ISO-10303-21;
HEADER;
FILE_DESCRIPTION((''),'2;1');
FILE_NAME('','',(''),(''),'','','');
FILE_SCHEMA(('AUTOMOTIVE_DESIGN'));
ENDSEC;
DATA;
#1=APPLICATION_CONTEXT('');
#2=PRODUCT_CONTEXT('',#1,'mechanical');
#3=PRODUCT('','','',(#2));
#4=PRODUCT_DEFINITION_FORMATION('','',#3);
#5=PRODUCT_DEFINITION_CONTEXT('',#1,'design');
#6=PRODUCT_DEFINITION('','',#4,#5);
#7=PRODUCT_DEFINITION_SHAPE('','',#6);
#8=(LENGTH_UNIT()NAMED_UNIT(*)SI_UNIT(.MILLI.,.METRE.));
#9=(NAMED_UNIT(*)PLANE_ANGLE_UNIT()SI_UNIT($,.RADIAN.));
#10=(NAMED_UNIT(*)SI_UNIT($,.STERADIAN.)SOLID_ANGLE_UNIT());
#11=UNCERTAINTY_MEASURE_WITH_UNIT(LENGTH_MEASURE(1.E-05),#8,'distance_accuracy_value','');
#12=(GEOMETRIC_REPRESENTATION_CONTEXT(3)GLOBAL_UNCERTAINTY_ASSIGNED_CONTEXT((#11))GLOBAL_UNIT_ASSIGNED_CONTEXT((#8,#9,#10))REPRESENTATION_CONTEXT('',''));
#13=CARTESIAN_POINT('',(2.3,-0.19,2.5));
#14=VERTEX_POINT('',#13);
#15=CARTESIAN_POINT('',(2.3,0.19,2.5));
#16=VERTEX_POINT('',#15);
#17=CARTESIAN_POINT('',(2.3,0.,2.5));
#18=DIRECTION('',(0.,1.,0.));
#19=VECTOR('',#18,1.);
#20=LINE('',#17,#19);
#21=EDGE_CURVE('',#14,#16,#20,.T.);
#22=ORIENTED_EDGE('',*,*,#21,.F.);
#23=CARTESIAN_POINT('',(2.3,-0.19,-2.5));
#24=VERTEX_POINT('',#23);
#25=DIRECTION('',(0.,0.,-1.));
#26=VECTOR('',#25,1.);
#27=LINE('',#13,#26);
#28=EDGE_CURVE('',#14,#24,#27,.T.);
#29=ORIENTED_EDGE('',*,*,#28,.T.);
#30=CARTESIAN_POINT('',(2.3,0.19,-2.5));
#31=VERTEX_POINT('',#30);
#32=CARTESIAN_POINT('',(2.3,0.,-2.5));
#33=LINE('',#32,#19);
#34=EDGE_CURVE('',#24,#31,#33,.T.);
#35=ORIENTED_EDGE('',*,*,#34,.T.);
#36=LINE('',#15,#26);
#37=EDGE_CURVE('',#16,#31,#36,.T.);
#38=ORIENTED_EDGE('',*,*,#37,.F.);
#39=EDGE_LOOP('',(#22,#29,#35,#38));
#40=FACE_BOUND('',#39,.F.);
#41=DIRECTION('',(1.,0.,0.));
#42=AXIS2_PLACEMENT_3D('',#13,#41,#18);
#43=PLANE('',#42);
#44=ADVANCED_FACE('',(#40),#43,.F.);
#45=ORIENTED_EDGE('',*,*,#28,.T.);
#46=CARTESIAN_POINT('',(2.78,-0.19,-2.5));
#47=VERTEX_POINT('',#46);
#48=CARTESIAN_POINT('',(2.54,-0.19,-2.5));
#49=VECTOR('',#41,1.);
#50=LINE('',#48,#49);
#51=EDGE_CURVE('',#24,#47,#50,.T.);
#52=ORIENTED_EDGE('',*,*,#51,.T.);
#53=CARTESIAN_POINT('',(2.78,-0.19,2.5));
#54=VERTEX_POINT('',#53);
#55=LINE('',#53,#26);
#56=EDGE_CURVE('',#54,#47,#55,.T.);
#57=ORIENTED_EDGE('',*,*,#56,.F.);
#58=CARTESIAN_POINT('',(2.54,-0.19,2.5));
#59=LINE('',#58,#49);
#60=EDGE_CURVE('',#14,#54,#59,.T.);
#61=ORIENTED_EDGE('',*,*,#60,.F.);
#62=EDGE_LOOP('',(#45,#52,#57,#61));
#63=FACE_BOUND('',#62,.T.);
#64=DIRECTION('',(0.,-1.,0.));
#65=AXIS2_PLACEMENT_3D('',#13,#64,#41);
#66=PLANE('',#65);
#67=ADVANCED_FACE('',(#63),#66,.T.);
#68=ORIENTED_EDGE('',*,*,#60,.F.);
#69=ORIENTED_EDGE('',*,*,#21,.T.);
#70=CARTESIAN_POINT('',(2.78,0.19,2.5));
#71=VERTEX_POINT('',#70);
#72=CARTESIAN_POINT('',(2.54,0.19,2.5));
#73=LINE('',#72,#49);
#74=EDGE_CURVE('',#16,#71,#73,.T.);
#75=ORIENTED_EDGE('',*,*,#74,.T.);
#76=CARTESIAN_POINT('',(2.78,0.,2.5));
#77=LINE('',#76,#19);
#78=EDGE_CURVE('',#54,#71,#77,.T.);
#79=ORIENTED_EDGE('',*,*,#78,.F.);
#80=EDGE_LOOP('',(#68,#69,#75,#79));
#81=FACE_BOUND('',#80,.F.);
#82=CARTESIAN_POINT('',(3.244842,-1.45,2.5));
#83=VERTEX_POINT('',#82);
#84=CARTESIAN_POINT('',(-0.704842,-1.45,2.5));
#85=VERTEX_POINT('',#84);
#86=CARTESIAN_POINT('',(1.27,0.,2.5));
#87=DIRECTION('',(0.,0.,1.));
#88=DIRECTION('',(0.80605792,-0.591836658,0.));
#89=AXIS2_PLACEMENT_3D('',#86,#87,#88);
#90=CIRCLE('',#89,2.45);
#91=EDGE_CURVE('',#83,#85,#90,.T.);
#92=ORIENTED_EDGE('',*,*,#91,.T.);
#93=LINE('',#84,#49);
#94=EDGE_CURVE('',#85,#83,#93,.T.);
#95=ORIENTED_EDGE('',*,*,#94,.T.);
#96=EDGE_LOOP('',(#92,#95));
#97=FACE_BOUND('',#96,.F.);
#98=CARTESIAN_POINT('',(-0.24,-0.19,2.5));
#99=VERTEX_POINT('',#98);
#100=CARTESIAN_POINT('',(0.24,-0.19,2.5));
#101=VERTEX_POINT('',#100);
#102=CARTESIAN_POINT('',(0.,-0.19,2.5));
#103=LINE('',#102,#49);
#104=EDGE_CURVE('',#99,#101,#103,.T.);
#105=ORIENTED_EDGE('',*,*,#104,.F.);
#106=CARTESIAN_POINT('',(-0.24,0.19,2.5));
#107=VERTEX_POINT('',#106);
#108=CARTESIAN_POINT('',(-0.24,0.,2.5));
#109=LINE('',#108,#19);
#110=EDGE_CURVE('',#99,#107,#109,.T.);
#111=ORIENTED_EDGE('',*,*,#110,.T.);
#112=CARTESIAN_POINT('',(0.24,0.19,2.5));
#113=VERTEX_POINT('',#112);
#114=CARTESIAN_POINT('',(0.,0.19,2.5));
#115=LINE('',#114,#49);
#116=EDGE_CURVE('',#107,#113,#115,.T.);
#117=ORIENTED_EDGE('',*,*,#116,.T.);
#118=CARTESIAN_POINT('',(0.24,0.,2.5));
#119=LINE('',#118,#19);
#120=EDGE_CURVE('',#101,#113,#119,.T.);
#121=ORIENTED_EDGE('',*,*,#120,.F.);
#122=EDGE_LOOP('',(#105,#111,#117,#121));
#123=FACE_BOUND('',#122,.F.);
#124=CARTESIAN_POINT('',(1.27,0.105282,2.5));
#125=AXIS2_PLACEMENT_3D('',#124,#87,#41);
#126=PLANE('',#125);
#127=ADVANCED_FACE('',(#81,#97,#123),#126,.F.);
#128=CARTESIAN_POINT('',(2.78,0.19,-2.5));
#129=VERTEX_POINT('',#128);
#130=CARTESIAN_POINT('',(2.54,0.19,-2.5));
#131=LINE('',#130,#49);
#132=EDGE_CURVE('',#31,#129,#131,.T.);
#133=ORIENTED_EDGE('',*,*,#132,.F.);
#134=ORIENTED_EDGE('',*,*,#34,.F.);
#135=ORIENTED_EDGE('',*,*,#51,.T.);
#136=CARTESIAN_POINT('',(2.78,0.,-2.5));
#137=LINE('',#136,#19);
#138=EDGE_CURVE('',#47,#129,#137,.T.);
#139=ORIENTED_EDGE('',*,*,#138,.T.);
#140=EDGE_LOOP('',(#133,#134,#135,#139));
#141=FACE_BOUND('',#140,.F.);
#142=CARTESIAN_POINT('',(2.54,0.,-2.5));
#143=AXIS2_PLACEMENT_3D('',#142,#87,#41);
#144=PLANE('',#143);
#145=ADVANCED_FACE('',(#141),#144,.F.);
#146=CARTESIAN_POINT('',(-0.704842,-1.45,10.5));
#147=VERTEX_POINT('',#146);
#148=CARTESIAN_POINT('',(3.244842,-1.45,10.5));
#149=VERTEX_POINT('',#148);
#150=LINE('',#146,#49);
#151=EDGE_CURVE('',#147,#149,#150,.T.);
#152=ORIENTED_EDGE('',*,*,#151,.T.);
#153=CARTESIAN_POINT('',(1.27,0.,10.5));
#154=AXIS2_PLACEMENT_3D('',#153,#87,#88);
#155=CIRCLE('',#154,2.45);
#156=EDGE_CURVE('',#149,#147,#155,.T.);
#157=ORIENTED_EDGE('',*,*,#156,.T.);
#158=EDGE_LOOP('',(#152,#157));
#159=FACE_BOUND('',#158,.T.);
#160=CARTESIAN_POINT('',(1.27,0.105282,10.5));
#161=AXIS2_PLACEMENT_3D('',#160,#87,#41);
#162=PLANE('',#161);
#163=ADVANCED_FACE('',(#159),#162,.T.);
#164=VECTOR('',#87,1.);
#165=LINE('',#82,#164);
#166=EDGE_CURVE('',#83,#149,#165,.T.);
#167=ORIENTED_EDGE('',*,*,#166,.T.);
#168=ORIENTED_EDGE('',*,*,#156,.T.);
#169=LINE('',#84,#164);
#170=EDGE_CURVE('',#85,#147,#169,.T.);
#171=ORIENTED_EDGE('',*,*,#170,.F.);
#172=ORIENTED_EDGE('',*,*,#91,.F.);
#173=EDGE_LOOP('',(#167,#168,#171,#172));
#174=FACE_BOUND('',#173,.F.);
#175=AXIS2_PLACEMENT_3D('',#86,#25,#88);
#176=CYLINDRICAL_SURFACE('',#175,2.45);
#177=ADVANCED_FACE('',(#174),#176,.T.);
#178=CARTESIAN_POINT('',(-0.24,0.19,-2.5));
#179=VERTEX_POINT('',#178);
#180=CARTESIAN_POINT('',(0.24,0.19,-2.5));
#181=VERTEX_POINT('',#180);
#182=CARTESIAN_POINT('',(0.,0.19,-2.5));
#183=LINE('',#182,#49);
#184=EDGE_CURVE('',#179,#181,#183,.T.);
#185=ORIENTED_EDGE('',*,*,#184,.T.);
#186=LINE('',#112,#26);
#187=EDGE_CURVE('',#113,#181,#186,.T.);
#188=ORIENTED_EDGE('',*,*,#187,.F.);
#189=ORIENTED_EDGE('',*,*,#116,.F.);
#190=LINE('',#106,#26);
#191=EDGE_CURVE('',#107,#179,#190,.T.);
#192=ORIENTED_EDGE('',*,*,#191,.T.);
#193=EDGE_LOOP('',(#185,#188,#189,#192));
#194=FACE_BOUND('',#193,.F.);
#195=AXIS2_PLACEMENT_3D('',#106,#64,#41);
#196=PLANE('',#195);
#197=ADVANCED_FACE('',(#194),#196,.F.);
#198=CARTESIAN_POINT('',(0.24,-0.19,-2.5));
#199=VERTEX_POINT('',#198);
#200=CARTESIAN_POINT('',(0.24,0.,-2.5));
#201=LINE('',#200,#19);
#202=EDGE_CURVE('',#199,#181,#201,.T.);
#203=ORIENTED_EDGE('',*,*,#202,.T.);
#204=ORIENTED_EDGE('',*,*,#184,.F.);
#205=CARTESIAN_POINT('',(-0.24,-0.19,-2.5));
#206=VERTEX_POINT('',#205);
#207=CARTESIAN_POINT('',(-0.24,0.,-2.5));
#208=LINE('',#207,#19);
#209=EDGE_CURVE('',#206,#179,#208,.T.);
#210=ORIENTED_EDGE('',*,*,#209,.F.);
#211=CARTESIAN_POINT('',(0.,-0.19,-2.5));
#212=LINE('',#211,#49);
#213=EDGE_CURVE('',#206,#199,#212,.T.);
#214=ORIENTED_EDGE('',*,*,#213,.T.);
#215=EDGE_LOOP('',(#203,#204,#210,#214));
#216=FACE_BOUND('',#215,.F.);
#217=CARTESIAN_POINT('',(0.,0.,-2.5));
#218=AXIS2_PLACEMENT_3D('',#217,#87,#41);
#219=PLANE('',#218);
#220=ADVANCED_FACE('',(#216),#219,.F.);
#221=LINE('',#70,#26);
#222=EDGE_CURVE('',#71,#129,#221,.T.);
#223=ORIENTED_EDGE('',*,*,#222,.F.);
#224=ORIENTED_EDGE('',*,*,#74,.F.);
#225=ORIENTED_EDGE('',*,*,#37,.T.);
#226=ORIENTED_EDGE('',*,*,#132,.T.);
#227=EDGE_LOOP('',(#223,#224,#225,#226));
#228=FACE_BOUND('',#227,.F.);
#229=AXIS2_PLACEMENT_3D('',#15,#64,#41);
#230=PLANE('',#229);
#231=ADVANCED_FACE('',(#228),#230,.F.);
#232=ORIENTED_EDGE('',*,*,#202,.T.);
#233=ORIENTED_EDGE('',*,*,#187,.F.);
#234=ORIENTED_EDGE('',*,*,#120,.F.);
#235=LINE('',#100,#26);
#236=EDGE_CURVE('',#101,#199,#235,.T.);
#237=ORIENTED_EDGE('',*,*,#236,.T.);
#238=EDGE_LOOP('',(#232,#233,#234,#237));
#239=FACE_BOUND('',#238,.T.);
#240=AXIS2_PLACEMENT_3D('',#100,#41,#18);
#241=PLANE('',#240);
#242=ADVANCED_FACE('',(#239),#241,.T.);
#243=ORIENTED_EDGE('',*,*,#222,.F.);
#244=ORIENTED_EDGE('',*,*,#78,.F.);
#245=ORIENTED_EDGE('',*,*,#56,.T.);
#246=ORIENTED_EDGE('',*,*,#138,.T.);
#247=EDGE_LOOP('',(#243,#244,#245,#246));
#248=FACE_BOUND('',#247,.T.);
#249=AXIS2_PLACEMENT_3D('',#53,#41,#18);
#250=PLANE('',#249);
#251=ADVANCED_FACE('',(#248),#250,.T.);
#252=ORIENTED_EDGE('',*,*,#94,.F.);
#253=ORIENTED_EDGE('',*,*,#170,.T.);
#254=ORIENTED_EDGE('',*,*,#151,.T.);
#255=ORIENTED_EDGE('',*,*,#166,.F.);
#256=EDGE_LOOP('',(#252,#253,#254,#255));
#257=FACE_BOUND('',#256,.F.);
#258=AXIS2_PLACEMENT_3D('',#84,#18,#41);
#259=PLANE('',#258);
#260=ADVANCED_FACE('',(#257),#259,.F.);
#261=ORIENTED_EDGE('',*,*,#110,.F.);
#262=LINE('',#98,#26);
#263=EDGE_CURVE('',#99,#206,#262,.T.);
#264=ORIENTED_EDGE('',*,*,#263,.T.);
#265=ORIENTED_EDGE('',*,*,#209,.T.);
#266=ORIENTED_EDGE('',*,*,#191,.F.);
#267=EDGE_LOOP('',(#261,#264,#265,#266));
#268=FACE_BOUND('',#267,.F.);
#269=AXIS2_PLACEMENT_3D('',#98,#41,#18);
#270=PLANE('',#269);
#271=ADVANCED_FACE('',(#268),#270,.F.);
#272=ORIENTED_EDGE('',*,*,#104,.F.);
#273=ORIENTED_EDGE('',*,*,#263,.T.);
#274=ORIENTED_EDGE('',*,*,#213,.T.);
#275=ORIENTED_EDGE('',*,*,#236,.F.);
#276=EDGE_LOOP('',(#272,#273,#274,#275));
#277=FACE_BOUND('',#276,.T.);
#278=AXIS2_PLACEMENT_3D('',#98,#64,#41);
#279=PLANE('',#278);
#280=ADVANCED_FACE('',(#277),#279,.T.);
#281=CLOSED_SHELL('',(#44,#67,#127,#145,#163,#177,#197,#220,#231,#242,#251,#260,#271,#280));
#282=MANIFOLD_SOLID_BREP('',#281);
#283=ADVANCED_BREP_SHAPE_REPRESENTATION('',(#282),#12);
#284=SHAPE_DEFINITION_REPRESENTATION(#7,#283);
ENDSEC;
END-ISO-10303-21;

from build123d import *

# Parameters (mm, degrees)
SKETCH001_W  = 0.48
SKETCH001_H  = 0.38
PAD001_DEPTH = 5
PAD_DEPTH    = 8


with BuildPart() as pad001:
    # Sketch001 → Pad001 (new body)
    with BuildSketch(Plane.XY.offset(2.5)):
        Rectangle(SKETCH001_W, SKETCH001_H)
        with Locations((2.54, 0)):
            Rectangle(SKETCH001_W, SKETCH001_H)
    extrude(amount=-PAD001_DEPTH)


with BuildPart() as to_92l_2_narrow:
    # Sketch → Pad (new body)
    with BuildSketch(Plane.XY.offset(2.5)):
        with BuildLine():
            Line((-0.704842, -1.45), (3.244842, -1.45))
            ThreePointArc((3.244842, -1.45), (1.27, 2.45), (-0.704842, -1.45))
        make_face()
    extrude(amount=PAD_DEPTH)

    # Pad_mp_cp: union Pad001
    add(pad001.part)


solid = to_92l_2_narrow.part
